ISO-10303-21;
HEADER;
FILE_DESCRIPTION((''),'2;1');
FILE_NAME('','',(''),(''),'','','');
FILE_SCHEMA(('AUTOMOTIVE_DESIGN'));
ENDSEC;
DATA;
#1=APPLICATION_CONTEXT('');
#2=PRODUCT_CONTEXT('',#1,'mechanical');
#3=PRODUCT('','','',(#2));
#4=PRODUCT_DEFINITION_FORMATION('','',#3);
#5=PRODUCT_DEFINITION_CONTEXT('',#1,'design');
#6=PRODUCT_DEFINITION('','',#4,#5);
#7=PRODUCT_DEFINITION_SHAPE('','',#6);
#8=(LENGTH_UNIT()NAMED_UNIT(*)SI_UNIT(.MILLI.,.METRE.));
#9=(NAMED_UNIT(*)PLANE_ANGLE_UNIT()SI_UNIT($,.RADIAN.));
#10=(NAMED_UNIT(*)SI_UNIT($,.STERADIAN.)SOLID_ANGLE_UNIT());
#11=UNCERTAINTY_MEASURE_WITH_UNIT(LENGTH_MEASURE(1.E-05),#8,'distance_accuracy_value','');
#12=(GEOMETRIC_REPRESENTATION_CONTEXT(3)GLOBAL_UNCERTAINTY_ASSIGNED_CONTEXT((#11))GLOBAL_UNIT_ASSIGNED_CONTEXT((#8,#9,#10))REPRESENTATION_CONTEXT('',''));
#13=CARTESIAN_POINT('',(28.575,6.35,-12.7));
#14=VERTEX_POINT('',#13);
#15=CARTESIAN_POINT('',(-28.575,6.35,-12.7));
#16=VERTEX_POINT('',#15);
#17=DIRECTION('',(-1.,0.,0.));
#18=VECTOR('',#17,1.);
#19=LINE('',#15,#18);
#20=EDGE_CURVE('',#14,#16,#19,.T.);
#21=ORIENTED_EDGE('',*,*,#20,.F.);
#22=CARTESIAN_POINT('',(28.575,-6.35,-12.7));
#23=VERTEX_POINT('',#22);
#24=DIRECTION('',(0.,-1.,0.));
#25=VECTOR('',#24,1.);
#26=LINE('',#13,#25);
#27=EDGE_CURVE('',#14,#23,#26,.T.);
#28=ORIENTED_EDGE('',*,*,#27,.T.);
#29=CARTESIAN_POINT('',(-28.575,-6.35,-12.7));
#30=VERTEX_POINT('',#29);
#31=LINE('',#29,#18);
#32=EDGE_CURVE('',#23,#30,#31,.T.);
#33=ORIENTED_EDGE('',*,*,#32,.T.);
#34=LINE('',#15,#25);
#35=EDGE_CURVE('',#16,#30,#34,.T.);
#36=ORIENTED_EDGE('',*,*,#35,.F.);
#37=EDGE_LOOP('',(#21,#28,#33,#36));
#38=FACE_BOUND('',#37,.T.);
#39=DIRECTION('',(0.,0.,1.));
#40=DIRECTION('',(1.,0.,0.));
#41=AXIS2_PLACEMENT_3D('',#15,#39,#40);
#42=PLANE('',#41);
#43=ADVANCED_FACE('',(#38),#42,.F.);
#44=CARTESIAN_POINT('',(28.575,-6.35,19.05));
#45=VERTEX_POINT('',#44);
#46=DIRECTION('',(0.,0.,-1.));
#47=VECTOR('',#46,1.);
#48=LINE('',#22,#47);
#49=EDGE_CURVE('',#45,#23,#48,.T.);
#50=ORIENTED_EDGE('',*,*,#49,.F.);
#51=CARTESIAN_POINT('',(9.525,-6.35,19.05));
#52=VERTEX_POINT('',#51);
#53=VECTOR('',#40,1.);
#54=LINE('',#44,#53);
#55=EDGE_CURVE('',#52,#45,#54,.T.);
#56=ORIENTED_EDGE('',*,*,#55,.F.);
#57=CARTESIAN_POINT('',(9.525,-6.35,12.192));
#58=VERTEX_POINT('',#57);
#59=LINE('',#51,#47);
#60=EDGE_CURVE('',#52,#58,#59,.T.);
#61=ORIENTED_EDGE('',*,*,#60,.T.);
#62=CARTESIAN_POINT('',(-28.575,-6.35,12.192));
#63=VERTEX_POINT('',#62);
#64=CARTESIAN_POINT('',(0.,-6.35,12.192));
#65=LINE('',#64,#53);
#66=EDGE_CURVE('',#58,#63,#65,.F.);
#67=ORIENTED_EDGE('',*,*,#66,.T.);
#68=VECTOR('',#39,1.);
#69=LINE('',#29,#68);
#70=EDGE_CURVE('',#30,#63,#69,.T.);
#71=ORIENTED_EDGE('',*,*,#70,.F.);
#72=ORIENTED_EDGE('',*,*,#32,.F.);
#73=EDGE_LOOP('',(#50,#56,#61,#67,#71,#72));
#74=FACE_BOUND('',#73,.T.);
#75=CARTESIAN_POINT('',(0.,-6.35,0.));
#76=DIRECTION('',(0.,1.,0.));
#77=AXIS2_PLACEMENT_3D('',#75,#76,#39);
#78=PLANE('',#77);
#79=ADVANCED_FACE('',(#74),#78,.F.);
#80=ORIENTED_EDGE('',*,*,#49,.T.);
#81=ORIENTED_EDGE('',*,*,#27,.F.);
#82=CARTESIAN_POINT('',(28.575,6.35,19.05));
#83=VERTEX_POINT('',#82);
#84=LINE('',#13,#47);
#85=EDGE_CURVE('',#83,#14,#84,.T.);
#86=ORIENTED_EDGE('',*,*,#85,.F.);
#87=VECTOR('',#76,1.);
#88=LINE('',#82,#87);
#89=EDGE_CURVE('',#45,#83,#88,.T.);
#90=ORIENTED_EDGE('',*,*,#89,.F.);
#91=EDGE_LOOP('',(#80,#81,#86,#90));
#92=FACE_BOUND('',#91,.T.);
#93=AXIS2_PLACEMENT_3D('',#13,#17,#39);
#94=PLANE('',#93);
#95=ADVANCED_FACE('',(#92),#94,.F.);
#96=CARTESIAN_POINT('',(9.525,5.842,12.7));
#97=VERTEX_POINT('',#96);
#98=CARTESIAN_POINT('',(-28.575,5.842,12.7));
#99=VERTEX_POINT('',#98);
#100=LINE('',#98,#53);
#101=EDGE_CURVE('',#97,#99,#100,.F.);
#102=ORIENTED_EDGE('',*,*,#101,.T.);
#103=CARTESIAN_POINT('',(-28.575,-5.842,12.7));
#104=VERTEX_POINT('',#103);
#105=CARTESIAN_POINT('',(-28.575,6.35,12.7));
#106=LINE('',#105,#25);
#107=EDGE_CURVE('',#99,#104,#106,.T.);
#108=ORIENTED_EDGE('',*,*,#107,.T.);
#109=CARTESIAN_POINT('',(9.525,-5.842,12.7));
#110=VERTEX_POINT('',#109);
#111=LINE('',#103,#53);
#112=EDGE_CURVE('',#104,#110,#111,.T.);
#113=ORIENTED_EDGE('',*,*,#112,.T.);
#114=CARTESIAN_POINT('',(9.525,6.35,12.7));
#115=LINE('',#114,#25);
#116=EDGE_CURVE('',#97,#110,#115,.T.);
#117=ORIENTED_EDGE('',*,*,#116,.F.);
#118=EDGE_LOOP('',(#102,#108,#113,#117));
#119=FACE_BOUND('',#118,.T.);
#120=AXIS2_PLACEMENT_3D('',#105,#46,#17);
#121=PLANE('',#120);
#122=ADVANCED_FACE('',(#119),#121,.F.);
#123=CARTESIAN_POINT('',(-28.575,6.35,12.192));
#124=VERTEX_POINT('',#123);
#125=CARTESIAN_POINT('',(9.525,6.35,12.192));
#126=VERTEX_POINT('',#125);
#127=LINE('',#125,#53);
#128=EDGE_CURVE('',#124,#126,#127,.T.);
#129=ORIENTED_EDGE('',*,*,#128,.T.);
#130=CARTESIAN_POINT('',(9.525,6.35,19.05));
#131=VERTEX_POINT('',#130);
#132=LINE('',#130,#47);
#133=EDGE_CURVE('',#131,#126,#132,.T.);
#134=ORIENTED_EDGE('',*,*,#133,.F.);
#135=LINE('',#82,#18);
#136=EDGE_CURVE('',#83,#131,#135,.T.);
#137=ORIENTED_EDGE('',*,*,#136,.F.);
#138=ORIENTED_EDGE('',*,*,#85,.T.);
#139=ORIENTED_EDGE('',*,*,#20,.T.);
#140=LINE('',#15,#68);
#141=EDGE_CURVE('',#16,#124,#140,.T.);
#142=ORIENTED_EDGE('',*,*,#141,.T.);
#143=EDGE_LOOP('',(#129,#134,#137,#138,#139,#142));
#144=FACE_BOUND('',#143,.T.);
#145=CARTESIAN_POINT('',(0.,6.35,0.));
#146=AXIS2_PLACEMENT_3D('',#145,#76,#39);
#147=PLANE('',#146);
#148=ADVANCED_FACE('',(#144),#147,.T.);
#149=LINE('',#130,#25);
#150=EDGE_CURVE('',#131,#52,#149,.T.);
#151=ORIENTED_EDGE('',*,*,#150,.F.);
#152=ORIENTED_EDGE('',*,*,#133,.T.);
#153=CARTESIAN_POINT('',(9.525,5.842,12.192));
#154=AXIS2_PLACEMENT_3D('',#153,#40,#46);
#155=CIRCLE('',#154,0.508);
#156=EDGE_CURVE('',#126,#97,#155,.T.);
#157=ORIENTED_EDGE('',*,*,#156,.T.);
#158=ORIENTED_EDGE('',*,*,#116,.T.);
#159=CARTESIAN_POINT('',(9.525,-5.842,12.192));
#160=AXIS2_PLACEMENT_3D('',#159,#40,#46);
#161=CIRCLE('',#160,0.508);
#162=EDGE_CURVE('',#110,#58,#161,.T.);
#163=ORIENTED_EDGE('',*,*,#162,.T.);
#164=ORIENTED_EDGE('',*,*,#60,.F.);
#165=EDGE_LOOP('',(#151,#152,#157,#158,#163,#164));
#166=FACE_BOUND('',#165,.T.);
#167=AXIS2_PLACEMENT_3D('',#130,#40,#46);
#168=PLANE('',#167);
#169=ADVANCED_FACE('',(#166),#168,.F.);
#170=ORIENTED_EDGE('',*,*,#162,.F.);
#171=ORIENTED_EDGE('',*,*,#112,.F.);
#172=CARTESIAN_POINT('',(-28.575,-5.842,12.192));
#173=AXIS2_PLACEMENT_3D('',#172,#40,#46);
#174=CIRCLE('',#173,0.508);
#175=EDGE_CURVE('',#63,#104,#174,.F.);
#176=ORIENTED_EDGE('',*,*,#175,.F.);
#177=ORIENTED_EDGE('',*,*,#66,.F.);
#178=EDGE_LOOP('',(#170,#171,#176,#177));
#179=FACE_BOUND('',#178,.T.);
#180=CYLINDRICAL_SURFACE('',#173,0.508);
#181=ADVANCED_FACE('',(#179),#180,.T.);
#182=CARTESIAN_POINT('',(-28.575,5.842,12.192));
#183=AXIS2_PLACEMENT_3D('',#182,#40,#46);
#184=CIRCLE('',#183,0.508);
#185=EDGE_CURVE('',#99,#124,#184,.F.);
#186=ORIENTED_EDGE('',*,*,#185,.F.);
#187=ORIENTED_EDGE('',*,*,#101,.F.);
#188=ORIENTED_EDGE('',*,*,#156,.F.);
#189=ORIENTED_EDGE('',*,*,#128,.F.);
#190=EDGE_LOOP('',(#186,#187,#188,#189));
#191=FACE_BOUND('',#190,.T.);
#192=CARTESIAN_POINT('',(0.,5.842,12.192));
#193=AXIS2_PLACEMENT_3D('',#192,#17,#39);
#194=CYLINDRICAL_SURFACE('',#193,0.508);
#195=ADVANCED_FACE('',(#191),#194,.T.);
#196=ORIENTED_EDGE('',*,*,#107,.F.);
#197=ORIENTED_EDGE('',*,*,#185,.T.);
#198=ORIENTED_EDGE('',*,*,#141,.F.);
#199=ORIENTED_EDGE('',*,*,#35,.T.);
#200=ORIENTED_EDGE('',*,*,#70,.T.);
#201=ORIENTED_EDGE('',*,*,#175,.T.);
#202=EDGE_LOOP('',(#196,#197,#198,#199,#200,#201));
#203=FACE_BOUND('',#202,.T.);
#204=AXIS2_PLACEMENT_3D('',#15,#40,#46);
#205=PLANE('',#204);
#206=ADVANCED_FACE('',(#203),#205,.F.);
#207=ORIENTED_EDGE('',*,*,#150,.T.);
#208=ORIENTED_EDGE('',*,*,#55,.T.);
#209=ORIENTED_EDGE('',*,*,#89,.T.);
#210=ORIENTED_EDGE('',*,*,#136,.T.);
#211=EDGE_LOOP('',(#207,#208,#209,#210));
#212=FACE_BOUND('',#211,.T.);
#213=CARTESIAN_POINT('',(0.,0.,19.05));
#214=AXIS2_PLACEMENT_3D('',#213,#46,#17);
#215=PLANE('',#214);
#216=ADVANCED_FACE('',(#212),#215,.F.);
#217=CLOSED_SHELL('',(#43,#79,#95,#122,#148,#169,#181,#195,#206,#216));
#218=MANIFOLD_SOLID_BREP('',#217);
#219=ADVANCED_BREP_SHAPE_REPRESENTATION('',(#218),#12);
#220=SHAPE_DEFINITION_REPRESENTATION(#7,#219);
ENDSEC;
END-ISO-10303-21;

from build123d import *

# Parameters (mm, degrees)
SKETCH1_W           = 57.15
SKETCH1_H           = 25.4
BOSS_EXTRUDE1_DEPTH = 6.35
SKETCH2_W           = 19.05
SKETCH2_H           = 12.7
BOSS_EXTRUDE2_DEPTH = 6.35
FILLET1_R           = 0.508


with BuildPart() as part:
    # Sketch1 → Boss-Extrude1 (new, symmetric)
    with BuildSketch(Plane(origin=(0, 0, 0), x_dir=(1, 0, 0), z_dir=(0, 1, 0))):
        Rectangle(SKETCH1_W, SKETCH1_H)
    extrude(amount=BOSS_EXTRUDE1_DEPTH, both=True)

    # Sketch2 → Boss-Extrude2 (add)
    with BuildSketch(Plane.XY.offset(12.7)):
        with Locations((19.05, 0)):
            Rectangle(SKETCH2_W, SKETCH2_H)
    extrude(amount=BOSS_EXTRUDE2_DEPTH)

    # Fillet1
    fillet1_edges = [part.edges().sort_by_distance(p)[0] for p in [
        (-9.525, 6.35, 12.7),
        (-9.525, -6.35, 12.7),
    ]]
    fillet(fillet1_edges, radius=FILLET1_R)


solid = part.part
